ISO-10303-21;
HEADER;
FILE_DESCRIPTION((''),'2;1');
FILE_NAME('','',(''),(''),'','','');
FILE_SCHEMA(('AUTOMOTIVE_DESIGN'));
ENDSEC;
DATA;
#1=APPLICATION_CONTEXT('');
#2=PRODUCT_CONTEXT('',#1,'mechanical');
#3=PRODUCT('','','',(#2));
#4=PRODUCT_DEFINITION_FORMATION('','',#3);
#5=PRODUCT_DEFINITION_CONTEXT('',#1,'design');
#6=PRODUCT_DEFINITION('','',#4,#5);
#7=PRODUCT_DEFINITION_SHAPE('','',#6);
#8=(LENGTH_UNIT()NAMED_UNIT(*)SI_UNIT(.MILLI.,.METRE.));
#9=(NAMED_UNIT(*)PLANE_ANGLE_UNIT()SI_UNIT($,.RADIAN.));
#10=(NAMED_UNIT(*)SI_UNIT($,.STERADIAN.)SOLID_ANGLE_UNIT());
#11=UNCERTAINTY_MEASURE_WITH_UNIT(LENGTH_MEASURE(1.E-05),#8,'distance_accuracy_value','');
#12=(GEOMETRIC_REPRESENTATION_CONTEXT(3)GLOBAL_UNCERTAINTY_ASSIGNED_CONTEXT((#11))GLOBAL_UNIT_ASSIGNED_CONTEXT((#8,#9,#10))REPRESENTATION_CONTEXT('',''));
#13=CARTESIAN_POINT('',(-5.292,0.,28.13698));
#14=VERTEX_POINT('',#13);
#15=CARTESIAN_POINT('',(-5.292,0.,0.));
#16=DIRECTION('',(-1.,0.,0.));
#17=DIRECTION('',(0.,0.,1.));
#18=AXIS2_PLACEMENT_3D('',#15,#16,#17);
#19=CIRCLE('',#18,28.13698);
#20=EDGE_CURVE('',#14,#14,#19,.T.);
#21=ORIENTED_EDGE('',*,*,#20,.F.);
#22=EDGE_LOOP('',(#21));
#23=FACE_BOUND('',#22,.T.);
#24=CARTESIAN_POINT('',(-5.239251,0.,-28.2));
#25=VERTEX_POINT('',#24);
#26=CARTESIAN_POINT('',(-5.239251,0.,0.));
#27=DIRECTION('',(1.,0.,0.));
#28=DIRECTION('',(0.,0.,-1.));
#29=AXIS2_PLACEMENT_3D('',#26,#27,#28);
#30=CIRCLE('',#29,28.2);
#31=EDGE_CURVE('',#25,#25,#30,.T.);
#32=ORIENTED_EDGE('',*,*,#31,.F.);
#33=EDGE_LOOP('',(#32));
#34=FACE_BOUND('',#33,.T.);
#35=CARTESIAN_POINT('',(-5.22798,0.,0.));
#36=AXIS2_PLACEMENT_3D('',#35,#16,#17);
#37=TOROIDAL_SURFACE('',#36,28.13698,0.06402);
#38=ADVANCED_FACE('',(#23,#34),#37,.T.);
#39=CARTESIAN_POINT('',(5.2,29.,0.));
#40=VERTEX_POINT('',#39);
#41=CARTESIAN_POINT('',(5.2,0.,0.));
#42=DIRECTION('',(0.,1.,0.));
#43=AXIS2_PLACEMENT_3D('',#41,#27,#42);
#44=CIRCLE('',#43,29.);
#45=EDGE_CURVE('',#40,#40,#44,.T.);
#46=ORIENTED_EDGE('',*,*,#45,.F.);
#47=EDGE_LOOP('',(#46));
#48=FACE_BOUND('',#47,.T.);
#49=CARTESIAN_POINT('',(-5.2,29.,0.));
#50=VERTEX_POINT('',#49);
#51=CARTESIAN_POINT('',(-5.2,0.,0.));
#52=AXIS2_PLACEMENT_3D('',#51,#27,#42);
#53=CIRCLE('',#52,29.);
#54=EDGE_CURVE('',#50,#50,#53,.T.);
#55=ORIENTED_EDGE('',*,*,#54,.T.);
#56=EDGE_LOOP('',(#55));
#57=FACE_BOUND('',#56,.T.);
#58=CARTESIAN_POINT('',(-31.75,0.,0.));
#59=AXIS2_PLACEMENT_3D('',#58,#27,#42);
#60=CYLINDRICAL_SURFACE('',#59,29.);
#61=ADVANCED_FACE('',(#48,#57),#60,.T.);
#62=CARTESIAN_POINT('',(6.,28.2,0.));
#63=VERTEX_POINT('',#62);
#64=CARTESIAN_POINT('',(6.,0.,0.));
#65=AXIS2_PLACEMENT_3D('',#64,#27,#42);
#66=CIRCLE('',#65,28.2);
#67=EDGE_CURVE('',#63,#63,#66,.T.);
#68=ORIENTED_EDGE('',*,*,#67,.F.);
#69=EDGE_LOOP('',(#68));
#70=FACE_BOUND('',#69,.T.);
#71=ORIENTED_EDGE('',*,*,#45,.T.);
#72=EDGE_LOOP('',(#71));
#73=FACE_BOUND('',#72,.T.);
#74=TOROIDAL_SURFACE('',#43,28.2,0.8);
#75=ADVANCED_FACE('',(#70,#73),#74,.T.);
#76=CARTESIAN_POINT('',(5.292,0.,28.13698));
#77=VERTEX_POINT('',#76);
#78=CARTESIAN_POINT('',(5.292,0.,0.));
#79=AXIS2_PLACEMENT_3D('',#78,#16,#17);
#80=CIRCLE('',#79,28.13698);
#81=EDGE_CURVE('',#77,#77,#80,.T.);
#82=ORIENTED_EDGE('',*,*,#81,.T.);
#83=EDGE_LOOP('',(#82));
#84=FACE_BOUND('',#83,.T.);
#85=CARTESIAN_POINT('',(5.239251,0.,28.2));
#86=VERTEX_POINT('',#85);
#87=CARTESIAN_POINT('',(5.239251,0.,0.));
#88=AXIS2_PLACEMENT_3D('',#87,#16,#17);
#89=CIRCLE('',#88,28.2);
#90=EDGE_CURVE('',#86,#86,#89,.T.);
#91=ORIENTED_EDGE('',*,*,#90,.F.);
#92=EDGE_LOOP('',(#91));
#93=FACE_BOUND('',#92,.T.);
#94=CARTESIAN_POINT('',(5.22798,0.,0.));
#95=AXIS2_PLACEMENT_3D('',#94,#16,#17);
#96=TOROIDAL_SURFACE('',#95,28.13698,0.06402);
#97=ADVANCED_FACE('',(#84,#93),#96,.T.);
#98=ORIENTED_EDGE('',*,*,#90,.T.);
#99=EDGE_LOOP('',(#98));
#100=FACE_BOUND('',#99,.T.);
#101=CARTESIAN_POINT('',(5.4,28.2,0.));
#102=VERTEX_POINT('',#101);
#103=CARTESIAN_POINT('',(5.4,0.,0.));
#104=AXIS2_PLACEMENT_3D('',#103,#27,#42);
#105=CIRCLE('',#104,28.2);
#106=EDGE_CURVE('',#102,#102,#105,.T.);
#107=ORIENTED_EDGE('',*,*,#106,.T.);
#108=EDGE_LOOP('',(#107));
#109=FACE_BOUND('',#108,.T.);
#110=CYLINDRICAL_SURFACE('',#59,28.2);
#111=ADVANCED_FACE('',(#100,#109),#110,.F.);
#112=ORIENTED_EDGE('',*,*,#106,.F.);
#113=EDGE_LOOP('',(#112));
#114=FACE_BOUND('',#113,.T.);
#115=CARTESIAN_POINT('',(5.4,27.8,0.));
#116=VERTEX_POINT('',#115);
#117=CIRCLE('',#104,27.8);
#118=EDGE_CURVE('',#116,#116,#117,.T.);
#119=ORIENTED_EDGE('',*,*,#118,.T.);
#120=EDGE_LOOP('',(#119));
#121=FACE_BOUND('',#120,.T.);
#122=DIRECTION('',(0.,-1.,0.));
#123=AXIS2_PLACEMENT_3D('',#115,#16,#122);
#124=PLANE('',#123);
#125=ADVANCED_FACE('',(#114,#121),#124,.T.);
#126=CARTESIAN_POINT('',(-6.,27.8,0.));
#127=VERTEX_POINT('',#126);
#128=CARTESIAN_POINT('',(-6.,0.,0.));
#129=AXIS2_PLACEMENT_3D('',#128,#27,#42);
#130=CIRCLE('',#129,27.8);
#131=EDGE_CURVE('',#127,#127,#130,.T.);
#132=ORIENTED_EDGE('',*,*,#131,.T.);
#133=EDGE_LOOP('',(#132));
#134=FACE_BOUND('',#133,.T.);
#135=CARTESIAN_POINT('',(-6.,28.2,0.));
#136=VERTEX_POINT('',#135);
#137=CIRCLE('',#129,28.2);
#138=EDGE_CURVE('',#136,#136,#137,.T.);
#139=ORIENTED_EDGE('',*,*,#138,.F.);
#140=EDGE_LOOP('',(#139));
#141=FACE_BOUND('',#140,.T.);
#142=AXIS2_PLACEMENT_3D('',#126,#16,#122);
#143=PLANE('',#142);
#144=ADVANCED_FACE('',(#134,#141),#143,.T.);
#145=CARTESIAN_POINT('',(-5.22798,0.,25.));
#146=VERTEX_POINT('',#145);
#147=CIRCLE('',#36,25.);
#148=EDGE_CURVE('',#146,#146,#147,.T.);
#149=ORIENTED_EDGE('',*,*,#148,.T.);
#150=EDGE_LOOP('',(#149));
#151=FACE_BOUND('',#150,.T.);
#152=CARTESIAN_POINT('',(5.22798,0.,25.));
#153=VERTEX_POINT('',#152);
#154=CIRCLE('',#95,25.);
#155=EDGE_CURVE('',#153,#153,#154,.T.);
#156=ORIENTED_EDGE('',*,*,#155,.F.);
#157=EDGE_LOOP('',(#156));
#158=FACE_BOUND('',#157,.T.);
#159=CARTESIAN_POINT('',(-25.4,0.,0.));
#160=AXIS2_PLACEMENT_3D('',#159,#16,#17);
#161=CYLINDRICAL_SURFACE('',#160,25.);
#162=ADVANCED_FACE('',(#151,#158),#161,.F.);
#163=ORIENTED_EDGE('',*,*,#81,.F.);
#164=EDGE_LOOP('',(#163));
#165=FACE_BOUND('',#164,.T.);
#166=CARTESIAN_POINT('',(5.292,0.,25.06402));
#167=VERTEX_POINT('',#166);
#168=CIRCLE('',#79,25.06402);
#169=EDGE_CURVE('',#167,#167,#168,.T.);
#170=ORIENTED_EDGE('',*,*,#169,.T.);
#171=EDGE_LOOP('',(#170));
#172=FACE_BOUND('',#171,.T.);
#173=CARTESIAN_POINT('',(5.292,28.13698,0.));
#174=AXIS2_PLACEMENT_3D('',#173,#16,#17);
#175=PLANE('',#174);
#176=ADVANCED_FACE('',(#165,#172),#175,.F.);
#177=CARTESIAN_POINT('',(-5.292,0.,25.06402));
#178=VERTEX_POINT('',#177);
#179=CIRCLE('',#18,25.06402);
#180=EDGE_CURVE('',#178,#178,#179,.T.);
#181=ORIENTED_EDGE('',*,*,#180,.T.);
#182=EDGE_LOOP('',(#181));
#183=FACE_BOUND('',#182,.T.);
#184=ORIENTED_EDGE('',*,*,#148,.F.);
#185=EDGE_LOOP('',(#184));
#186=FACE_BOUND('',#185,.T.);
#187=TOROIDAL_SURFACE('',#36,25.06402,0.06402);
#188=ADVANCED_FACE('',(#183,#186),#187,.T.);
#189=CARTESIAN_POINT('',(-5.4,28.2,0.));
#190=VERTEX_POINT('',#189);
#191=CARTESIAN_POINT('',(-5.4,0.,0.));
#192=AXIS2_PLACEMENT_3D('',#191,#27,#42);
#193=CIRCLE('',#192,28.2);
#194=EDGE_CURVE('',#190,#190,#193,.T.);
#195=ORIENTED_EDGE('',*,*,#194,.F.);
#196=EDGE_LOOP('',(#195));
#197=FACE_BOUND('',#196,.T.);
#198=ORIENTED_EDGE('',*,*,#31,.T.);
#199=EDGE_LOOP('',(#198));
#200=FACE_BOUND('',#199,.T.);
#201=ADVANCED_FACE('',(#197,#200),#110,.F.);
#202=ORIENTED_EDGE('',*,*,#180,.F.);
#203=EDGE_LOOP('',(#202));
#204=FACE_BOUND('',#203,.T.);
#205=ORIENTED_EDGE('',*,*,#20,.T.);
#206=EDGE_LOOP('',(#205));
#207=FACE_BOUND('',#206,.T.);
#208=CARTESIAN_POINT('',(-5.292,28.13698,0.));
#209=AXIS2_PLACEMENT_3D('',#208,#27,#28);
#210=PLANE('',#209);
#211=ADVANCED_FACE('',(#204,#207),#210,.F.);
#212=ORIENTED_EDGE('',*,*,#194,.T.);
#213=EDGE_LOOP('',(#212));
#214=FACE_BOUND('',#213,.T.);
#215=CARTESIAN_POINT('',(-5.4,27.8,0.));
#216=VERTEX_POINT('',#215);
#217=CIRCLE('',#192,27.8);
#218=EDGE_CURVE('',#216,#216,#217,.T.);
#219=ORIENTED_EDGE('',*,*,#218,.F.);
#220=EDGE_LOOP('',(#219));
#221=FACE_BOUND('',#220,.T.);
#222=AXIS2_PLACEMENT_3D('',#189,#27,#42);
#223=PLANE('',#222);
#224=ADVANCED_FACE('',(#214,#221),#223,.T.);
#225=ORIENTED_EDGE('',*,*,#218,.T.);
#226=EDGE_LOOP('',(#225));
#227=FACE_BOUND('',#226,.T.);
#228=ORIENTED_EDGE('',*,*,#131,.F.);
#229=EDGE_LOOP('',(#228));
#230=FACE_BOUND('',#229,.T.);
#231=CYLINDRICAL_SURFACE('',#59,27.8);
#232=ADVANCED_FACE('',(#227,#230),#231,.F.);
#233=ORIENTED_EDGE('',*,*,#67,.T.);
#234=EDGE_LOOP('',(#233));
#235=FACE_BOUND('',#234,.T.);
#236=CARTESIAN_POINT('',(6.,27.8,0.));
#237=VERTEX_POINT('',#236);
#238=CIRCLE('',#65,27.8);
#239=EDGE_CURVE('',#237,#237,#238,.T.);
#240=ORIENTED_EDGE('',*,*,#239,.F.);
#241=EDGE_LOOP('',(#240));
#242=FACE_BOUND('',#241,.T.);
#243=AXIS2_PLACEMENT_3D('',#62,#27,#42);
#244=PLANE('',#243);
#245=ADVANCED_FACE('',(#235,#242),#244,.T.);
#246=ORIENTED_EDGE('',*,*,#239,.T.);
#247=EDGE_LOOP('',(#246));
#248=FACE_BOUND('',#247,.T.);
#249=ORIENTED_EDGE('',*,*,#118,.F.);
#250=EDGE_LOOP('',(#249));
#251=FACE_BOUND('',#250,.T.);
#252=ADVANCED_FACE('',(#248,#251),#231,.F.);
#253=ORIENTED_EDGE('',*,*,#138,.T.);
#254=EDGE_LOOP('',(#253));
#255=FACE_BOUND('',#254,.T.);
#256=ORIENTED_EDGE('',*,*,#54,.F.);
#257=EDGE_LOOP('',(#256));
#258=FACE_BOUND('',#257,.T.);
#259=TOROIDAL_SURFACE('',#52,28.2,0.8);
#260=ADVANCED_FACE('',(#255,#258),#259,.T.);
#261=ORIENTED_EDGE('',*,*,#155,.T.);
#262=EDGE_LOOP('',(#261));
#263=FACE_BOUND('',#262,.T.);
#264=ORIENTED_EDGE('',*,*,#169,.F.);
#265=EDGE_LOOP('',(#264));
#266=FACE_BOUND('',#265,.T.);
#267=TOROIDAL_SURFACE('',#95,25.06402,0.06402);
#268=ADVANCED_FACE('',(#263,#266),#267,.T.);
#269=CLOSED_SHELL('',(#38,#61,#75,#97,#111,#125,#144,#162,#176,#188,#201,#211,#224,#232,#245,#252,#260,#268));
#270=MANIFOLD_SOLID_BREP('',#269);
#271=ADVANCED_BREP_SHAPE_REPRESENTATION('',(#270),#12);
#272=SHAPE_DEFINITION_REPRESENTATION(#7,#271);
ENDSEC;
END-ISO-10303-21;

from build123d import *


with BuildPart() as part:
    # InnRacSke → Race (revolve)
    with BuildSketch(Plane.XY):
        with BuildLine():
            Line((-5.4, 27.8), (-6, 27.8))
            Line((-6, 27.8), (-6, 28.2))
            ThreePointArc((-6, 28.2), (-5.765685425, 28.765685425), (-5.2, 29))
            Line((-5.2, 29), (5.2, 29))
            ThreePointArc((5.2, 29), (5.765685425, 28.765685425), (6, 28.2))
            Line((6, 28.2), (6, 27.8))
            Line((6, 27.8), (5.4, 27.8))
            Line((5.4, 27.8), (5.4, 28.2))
            Line((5.4, 28.2), (-5.4, 28.2))
            Line((-5.4, 28.2), (-5.4, 27.8))
        make_face()
    revolve(axis=Axis((-31.75, 0, 0), (1, 0, 0)))

    # RolSimSke → RollersSimplified (revolve)
    with BuildSketch(Plane.XY):
        with BuildLine():
            Line((-5.22798, 28.201), (5.22798, 28.201))
            ThreePointArc((5.22798, 28.201), (5.273248976, 28.182248976), (5.292, 28.13698))
            Line((5.292, 28.13698), (5.292, 25.06402))
            ThreePointArc((5.292, 25.06402), (5.273248976, 25.018751024), (5.22798, 25))
            Line((5.22798, 25), (-5.22798, 25))
            ThreePointArc((-5.22798, 25), (-5.273248976, 25.018751024), (-5.292, 25.06402))
            Line((-5.292, 25.06402), (-5.292, 28.13698))
            ThreePointArc((-5.292, 28.13698), (-5.273248976, 28.182248976), (-5.22798, 28.201))
        make_face()
    revolve(axis=Axis((-25.4, 0, 0), (1, 0, 0)))


solid = part.part
